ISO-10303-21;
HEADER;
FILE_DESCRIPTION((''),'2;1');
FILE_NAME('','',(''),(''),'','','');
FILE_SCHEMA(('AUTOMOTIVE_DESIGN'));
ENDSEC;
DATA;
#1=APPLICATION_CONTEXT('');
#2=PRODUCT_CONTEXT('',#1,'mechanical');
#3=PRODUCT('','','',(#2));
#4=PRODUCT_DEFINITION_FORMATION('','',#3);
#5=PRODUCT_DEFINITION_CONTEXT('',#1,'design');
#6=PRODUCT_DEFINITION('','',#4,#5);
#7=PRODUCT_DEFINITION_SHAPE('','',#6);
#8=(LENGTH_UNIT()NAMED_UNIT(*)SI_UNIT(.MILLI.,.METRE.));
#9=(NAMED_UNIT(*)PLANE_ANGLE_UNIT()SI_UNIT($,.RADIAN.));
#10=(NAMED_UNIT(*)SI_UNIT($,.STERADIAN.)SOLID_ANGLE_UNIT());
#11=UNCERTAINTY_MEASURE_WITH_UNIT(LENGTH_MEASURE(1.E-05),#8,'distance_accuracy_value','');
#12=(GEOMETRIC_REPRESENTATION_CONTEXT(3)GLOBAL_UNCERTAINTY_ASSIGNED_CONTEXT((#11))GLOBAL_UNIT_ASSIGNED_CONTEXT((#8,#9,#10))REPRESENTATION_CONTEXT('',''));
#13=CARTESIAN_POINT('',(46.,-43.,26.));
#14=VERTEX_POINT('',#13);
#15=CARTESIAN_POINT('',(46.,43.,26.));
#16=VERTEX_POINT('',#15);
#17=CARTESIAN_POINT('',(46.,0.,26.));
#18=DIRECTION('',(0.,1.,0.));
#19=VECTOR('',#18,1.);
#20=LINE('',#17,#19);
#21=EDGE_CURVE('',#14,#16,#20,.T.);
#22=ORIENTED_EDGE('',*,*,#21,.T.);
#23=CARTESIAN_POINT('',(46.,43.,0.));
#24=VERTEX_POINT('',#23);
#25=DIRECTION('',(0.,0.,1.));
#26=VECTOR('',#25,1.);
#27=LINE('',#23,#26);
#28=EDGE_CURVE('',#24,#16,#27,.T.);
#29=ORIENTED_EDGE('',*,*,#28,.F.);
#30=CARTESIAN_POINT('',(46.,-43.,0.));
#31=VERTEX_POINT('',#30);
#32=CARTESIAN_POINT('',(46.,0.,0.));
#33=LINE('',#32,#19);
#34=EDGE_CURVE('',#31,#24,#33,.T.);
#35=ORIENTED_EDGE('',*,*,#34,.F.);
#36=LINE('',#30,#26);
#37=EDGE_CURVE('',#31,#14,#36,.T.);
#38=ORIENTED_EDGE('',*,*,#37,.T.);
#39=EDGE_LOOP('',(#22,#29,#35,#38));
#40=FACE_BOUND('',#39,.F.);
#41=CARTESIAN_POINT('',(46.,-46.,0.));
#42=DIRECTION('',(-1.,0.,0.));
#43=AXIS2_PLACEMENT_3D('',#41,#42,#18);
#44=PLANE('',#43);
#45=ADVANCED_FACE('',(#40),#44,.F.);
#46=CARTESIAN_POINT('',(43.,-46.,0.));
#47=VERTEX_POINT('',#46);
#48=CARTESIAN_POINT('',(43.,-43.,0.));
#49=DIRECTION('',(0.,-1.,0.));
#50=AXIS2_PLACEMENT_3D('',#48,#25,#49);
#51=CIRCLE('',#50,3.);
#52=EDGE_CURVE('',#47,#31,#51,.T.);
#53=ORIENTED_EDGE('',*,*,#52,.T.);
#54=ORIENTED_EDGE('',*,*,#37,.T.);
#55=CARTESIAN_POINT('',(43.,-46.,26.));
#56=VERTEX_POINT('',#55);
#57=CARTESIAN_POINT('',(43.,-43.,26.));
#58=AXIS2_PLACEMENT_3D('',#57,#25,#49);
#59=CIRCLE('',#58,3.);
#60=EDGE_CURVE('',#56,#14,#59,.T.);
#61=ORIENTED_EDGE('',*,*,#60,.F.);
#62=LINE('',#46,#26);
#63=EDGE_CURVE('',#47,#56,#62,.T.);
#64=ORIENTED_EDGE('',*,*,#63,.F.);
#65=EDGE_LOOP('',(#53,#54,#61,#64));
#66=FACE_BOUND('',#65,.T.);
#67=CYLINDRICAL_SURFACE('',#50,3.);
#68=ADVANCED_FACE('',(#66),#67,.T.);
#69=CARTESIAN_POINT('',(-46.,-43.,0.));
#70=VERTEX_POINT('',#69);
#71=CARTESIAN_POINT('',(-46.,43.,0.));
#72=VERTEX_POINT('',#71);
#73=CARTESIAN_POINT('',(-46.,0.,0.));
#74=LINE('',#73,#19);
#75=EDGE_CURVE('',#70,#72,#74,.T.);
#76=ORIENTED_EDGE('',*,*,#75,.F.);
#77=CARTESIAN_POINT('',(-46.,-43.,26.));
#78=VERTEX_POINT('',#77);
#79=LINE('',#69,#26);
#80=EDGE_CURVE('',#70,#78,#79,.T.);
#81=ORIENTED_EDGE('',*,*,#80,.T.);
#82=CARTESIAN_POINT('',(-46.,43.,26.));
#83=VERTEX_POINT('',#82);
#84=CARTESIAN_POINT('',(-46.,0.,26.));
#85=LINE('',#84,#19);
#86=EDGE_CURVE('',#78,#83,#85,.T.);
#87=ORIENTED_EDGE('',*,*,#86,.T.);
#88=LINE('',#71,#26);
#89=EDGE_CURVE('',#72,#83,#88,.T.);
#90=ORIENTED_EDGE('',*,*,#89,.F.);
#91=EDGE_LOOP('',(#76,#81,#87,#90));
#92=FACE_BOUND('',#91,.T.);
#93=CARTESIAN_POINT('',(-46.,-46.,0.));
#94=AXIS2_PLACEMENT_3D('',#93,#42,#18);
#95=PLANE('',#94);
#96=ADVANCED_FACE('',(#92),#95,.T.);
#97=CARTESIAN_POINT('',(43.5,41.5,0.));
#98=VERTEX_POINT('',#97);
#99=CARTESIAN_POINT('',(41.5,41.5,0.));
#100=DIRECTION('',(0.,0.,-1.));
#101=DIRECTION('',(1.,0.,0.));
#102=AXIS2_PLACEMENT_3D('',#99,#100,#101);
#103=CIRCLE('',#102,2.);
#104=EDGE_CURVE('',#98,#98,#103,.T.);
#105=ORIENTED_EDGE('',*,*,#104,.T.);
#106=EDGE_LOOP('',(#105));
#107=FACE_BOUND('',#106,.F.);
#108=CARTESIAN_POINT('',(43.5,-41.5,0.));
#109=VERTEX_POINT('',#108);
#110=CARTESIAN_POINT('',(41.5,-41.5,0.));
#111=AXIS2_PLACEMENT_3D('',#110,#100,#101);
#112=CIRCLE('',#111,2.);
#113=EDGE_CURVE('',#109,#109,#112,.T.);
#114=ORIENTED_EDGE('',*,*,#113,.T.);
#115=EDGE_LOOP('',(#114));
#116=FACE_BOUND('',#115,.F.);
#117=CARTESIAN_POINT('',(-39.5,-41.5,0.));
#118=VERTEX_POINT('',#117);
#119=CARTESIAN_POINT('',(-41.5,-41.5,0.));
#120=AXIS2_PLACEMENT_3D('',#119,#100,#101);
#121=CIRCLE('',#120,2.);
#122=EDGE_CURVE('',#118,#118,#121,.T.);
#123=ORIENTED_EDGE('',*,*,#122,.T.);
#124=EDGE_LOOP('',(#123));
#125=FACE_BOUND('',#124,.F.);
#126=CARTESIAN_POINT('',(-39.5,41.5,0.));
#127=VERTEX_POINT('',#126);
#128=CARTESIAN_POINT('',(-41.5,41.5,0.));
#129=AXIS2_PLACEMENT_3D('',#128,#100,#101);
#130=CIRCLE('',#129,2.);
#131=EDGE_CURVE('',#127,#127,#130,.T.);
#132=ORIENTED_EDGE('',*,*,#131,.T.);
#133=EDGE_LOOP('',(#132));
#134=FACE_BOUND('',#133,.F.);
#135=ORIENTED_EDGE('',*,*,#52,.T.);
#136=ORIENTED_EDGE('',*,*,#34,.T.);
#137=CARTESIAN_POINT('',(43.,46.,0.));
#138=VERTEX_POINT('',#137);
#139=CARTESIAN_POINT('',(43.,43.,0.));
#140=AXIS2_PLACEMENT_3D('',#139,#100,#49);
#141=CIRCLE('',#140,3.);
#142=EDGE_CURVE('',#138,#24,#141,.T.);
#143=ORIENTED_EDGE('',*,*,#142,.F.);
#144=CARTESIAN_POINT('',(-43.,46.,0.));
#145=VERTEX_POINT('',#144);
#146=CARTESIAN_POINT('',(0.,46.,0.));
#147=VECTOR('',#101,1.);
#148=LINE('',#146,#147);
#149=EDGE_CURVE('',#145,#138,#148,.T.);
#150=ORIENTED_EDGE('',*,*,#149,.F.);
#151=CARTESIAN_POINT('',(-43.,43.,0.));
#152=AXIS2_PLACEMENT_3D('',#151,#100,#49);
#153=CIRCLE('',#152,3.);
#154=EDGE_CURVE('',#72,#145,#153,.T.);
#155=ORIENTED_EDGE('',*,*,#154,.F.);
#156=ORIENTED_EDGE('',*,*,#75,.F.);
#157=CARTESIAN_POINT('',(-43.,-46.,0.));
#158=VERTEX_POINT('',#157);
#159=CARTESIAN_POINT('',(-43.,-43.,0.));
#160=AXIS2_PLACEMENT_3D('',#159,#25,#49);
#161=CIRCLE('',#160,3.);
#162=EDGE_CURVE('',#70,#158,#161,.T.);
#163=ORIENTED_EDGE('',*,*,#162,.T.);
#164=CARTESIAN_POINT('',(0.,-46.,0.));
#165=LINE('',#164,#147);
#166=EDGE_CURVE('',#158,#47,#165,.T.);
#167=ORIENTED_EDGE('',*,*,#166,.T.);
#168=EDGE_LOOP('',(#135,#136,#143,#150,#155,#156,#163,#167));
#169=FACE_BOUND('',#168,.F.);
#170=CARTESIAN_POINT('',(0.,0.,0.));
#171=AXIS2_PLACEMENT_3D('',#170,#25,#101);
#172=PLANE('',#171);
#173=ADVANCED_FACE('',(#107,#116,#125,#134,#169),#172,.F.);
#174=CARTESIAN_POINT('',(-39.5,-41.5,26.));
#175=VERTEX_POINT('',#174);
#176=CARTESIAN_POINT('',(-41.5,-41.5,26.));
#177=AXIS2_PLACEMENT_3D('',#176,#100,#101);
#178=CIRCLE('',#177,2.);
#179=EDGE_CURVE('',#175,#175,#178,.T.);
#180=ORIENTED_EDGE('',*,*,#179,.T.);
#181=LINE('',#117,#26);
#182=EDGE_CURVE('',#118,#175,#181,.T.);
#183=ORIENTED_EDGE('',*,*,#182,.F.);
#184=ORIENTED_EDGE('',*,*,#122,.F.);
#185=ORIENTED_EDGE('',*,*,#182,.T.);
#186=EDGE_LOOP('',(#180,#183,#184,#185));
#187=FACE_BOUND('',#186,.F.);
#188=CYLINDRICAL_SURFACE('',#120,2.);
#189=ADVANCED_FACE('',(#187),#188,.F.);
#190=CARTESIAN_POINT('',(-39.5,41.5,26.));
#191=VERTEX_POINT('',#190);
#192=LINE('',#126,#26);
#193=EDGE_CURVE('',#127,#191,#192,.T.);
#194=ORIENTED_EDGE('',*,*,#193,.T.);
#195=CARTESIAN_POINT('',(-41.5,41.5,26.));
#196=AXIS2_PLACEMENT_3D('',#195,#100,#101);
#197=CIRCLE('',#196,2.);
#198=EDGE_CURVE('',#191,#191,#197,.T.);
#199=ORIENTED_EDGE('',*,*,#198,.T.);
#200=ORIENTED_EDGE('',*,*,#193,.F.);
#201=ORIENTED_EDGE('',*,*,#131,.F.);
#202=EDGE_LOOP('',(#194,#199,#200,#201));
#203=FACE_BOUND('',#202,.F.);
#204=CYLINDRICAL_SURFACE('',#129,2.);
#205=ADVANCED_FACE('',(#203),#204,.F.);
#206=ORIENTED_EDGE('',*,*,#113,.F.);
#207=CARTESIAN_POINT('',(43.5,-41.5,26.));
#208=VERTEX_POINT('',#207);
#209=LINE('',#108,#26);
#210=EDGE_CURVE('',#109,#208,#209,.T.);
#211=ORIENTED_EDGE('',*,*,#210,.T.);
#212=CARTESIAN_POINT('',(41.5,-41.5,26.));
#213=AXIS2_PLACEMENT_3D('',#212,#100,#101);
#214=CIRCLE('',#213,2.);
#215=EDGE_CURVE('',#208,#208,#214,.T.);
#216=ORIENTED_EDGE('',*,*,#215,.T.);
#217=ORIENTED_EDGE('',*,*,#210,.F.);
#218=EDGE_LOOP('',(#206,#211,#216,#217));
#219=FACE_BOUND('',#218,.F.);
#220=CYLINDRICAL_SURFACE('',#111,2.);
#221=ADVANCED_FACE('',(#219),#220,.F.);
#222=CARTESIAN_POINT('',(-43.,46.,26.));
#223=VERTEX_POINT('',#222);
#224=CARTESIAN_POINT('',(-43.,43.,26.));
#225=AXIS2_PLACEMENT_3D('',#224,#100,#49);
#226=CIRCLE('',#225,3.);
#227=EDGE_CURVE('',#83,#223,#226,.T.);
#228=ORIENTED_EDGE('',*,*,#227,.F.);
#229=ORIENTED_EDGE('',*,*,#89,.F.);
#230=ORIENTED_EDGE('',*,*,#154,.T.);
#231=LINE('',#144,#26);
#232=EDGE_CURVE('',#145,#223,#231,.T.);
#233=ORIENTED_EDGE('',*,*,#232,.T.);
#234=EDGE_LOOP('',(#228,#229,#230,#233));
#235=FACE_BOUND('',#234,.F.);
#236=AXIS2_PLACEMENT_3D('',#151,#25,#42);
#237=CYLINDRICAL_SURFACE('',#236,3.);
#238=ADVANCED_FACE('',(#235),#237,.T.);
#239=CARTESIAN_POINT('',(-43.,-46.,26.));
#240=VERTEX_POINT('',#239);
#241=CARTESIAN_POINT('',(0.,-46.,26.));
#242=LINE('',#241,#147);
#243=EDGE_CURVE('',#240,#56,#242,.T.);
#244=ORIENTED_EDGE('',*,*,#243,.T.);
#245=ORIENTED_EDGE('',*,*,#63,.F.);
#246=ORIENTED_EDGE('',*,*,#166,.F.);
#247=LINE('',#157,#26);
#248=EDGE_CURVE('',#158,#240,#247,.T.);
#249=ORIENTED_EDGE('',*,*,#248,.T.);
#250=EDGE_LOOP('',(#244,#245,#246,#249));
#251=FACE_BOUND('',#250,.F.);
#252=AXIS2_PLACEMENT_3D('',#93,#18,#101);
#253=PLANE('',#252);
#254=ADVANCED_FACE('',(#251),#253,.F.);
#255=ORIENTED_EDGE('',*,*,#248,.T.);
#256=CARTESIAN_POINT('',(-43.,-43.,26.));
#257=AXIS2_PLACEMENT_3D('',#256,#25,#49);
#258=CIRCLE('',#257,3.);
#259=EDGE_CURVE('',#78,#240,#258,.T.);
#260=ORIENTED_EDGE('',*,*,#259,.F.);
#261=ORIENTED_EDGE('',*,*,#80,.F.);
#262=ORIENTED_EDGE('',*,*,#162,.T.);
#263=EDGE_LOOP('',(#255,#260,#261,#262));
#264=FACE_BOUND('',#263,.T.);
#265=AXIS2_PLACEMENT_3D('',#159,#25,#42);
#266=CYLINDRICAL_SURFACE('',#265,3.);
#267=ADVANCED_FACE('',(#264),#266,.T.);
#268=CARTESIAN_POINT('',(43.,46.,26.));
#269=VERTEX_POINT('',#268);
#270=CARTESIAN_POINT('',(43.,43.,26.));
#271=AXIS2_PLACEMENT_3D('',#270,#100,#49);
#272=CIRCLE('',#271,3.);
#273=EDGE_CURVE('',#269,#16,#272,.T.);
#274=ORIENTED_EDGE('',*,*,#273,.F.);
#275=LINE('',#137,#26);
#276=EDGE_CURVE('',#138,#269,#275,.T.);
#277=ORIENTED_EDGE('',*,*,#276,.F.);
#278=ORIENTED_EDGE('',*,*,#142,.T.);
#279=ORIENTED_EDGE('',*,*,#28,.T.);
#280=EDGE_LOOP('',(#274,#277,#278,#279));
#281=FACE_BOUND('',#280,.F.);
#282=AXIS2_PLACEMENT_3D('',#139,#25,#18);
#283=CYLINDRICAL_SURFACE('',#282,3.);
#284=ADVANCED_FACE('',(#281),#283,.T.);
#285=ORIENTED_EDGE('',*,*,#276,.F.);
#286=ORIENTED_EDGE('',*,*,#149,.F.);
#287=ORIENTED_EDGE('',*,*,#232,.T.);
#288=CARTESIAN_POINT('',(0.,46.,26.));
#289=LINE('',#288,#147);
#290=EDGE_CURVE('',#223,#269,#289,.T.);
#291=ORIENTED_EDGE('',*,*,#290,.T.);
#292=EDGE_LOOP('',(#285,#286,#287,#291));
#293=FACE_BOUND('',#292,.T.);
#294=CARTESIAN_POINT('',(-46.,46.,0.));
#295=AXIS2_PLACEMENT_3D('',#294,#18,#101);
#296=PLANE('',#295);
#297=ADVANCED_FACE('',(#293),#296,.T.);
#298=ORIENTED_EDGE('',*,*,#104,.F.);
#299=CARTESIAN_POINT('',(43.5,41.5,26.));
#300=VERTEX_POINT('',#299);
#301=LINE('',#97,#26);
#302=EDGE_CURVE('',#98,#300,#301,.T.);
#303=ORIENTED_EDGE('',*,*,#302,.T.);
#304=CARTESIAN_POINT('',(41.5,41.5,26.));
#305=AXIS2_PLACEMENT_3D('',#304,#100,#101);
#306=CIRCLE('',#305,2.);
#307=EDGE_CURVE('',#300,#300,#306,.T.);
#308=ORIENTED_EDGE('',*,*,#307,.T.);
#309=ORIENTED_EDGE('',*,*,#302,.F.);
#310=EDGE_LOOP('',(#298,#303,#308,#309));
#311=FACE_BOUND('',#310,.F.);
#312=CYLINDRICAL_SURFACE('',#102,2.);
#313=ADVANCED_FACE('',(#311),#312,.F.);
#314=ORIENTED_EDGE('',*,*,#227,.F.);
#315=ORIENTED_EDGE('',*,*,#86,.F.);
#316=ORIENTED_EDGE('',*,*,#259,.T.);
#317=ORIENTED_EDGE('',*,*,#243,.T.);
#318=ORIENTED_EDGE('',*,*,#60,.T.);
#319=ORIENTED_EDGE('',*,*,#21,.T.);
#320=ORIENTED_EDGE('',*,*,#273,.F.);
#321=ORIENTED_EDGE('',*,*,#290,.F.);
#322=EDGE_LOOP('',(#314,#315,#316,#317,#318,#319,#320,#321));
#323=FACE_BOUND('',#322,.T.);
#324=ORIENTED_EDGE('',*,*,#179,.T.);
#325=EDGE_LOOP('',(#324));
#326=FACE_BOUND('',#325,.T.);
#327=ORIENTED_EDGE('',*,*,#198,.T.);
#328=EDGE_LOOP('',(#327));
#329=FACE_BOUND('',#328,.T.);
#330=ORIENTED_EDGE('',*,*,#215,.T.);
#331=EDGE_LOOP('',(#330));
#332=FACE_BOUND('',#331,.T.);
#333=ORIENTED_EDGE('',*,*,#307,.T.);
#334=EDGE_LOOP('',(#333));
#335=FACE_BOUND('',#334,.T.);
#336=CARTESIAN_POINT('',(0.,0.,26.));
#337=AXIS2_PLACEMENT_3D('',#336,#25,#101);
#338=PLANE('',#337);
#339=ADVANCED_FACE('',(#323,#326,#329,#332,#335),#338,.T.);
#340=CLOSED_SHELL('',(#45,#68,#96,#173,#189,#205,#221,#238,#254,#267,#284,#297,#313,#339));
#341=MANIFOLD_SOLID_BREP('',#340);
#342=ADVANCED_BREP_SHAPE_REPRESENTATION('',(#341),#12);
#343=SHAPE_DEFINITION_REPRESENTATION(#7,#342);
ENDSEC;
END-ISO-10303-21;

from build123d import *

# Parameters (mm, degrees)
SKETCH003_W       = 92
SKETCH003_H       = 92
PAD003_DEPTH      = 26
SKETCH004_R       = 2
POCKET_DEPTH      = 26.001
POCKET_DEPTH_BACK = 0.001
FILLET_R          = 3


with BuildPart() as part:
    # Sketch003 → Pad003 (new body)
    with BuildSketch(Plane.XY):
        Rectangle(SKETCH003_W, SKETCH003_H)
    extrude(amount=PAD003_DEPTH)

    # Sketch004 (on Face5 of Pad003) → Pocket (cut, two sides)
    with BuildSketch(Plane(origin=(0, 0, 0), x_dir=(1, 0, 0), z_dir=(0, 0, -1))) as pocket_sk:
        with Locations((41.5, 41.5)):
            Circle(SKETCH004_R)
        with Locations((-41.5, 41.5)):
            Circle(SKETCH004_R)
        with Locations((41.5, -41.5)):
            Circle(SKETCH004_R)
        with Locations((-41.5, -41.5)):
            Circle(SKETCH004_R)
    extrude(amount=-POCKET_DEPTH, mode=Mode.SUBTRACT)
    extrude(pocket_sk.sketch, amount=POCKET_DEPTH_BACK, mode=Mode.SUBTRACT)

    # Fillet
    fillet_edges = [part.edges().sort_by_distance(p)[0] for p in [
        (-46, 46, 13),
        (-46, -46, 13),
        (46, -46, 13),
        (46, 46, 13),
    ]]
    fillet(fillet_edges, radius=FILLET_R)


solid = part.part
